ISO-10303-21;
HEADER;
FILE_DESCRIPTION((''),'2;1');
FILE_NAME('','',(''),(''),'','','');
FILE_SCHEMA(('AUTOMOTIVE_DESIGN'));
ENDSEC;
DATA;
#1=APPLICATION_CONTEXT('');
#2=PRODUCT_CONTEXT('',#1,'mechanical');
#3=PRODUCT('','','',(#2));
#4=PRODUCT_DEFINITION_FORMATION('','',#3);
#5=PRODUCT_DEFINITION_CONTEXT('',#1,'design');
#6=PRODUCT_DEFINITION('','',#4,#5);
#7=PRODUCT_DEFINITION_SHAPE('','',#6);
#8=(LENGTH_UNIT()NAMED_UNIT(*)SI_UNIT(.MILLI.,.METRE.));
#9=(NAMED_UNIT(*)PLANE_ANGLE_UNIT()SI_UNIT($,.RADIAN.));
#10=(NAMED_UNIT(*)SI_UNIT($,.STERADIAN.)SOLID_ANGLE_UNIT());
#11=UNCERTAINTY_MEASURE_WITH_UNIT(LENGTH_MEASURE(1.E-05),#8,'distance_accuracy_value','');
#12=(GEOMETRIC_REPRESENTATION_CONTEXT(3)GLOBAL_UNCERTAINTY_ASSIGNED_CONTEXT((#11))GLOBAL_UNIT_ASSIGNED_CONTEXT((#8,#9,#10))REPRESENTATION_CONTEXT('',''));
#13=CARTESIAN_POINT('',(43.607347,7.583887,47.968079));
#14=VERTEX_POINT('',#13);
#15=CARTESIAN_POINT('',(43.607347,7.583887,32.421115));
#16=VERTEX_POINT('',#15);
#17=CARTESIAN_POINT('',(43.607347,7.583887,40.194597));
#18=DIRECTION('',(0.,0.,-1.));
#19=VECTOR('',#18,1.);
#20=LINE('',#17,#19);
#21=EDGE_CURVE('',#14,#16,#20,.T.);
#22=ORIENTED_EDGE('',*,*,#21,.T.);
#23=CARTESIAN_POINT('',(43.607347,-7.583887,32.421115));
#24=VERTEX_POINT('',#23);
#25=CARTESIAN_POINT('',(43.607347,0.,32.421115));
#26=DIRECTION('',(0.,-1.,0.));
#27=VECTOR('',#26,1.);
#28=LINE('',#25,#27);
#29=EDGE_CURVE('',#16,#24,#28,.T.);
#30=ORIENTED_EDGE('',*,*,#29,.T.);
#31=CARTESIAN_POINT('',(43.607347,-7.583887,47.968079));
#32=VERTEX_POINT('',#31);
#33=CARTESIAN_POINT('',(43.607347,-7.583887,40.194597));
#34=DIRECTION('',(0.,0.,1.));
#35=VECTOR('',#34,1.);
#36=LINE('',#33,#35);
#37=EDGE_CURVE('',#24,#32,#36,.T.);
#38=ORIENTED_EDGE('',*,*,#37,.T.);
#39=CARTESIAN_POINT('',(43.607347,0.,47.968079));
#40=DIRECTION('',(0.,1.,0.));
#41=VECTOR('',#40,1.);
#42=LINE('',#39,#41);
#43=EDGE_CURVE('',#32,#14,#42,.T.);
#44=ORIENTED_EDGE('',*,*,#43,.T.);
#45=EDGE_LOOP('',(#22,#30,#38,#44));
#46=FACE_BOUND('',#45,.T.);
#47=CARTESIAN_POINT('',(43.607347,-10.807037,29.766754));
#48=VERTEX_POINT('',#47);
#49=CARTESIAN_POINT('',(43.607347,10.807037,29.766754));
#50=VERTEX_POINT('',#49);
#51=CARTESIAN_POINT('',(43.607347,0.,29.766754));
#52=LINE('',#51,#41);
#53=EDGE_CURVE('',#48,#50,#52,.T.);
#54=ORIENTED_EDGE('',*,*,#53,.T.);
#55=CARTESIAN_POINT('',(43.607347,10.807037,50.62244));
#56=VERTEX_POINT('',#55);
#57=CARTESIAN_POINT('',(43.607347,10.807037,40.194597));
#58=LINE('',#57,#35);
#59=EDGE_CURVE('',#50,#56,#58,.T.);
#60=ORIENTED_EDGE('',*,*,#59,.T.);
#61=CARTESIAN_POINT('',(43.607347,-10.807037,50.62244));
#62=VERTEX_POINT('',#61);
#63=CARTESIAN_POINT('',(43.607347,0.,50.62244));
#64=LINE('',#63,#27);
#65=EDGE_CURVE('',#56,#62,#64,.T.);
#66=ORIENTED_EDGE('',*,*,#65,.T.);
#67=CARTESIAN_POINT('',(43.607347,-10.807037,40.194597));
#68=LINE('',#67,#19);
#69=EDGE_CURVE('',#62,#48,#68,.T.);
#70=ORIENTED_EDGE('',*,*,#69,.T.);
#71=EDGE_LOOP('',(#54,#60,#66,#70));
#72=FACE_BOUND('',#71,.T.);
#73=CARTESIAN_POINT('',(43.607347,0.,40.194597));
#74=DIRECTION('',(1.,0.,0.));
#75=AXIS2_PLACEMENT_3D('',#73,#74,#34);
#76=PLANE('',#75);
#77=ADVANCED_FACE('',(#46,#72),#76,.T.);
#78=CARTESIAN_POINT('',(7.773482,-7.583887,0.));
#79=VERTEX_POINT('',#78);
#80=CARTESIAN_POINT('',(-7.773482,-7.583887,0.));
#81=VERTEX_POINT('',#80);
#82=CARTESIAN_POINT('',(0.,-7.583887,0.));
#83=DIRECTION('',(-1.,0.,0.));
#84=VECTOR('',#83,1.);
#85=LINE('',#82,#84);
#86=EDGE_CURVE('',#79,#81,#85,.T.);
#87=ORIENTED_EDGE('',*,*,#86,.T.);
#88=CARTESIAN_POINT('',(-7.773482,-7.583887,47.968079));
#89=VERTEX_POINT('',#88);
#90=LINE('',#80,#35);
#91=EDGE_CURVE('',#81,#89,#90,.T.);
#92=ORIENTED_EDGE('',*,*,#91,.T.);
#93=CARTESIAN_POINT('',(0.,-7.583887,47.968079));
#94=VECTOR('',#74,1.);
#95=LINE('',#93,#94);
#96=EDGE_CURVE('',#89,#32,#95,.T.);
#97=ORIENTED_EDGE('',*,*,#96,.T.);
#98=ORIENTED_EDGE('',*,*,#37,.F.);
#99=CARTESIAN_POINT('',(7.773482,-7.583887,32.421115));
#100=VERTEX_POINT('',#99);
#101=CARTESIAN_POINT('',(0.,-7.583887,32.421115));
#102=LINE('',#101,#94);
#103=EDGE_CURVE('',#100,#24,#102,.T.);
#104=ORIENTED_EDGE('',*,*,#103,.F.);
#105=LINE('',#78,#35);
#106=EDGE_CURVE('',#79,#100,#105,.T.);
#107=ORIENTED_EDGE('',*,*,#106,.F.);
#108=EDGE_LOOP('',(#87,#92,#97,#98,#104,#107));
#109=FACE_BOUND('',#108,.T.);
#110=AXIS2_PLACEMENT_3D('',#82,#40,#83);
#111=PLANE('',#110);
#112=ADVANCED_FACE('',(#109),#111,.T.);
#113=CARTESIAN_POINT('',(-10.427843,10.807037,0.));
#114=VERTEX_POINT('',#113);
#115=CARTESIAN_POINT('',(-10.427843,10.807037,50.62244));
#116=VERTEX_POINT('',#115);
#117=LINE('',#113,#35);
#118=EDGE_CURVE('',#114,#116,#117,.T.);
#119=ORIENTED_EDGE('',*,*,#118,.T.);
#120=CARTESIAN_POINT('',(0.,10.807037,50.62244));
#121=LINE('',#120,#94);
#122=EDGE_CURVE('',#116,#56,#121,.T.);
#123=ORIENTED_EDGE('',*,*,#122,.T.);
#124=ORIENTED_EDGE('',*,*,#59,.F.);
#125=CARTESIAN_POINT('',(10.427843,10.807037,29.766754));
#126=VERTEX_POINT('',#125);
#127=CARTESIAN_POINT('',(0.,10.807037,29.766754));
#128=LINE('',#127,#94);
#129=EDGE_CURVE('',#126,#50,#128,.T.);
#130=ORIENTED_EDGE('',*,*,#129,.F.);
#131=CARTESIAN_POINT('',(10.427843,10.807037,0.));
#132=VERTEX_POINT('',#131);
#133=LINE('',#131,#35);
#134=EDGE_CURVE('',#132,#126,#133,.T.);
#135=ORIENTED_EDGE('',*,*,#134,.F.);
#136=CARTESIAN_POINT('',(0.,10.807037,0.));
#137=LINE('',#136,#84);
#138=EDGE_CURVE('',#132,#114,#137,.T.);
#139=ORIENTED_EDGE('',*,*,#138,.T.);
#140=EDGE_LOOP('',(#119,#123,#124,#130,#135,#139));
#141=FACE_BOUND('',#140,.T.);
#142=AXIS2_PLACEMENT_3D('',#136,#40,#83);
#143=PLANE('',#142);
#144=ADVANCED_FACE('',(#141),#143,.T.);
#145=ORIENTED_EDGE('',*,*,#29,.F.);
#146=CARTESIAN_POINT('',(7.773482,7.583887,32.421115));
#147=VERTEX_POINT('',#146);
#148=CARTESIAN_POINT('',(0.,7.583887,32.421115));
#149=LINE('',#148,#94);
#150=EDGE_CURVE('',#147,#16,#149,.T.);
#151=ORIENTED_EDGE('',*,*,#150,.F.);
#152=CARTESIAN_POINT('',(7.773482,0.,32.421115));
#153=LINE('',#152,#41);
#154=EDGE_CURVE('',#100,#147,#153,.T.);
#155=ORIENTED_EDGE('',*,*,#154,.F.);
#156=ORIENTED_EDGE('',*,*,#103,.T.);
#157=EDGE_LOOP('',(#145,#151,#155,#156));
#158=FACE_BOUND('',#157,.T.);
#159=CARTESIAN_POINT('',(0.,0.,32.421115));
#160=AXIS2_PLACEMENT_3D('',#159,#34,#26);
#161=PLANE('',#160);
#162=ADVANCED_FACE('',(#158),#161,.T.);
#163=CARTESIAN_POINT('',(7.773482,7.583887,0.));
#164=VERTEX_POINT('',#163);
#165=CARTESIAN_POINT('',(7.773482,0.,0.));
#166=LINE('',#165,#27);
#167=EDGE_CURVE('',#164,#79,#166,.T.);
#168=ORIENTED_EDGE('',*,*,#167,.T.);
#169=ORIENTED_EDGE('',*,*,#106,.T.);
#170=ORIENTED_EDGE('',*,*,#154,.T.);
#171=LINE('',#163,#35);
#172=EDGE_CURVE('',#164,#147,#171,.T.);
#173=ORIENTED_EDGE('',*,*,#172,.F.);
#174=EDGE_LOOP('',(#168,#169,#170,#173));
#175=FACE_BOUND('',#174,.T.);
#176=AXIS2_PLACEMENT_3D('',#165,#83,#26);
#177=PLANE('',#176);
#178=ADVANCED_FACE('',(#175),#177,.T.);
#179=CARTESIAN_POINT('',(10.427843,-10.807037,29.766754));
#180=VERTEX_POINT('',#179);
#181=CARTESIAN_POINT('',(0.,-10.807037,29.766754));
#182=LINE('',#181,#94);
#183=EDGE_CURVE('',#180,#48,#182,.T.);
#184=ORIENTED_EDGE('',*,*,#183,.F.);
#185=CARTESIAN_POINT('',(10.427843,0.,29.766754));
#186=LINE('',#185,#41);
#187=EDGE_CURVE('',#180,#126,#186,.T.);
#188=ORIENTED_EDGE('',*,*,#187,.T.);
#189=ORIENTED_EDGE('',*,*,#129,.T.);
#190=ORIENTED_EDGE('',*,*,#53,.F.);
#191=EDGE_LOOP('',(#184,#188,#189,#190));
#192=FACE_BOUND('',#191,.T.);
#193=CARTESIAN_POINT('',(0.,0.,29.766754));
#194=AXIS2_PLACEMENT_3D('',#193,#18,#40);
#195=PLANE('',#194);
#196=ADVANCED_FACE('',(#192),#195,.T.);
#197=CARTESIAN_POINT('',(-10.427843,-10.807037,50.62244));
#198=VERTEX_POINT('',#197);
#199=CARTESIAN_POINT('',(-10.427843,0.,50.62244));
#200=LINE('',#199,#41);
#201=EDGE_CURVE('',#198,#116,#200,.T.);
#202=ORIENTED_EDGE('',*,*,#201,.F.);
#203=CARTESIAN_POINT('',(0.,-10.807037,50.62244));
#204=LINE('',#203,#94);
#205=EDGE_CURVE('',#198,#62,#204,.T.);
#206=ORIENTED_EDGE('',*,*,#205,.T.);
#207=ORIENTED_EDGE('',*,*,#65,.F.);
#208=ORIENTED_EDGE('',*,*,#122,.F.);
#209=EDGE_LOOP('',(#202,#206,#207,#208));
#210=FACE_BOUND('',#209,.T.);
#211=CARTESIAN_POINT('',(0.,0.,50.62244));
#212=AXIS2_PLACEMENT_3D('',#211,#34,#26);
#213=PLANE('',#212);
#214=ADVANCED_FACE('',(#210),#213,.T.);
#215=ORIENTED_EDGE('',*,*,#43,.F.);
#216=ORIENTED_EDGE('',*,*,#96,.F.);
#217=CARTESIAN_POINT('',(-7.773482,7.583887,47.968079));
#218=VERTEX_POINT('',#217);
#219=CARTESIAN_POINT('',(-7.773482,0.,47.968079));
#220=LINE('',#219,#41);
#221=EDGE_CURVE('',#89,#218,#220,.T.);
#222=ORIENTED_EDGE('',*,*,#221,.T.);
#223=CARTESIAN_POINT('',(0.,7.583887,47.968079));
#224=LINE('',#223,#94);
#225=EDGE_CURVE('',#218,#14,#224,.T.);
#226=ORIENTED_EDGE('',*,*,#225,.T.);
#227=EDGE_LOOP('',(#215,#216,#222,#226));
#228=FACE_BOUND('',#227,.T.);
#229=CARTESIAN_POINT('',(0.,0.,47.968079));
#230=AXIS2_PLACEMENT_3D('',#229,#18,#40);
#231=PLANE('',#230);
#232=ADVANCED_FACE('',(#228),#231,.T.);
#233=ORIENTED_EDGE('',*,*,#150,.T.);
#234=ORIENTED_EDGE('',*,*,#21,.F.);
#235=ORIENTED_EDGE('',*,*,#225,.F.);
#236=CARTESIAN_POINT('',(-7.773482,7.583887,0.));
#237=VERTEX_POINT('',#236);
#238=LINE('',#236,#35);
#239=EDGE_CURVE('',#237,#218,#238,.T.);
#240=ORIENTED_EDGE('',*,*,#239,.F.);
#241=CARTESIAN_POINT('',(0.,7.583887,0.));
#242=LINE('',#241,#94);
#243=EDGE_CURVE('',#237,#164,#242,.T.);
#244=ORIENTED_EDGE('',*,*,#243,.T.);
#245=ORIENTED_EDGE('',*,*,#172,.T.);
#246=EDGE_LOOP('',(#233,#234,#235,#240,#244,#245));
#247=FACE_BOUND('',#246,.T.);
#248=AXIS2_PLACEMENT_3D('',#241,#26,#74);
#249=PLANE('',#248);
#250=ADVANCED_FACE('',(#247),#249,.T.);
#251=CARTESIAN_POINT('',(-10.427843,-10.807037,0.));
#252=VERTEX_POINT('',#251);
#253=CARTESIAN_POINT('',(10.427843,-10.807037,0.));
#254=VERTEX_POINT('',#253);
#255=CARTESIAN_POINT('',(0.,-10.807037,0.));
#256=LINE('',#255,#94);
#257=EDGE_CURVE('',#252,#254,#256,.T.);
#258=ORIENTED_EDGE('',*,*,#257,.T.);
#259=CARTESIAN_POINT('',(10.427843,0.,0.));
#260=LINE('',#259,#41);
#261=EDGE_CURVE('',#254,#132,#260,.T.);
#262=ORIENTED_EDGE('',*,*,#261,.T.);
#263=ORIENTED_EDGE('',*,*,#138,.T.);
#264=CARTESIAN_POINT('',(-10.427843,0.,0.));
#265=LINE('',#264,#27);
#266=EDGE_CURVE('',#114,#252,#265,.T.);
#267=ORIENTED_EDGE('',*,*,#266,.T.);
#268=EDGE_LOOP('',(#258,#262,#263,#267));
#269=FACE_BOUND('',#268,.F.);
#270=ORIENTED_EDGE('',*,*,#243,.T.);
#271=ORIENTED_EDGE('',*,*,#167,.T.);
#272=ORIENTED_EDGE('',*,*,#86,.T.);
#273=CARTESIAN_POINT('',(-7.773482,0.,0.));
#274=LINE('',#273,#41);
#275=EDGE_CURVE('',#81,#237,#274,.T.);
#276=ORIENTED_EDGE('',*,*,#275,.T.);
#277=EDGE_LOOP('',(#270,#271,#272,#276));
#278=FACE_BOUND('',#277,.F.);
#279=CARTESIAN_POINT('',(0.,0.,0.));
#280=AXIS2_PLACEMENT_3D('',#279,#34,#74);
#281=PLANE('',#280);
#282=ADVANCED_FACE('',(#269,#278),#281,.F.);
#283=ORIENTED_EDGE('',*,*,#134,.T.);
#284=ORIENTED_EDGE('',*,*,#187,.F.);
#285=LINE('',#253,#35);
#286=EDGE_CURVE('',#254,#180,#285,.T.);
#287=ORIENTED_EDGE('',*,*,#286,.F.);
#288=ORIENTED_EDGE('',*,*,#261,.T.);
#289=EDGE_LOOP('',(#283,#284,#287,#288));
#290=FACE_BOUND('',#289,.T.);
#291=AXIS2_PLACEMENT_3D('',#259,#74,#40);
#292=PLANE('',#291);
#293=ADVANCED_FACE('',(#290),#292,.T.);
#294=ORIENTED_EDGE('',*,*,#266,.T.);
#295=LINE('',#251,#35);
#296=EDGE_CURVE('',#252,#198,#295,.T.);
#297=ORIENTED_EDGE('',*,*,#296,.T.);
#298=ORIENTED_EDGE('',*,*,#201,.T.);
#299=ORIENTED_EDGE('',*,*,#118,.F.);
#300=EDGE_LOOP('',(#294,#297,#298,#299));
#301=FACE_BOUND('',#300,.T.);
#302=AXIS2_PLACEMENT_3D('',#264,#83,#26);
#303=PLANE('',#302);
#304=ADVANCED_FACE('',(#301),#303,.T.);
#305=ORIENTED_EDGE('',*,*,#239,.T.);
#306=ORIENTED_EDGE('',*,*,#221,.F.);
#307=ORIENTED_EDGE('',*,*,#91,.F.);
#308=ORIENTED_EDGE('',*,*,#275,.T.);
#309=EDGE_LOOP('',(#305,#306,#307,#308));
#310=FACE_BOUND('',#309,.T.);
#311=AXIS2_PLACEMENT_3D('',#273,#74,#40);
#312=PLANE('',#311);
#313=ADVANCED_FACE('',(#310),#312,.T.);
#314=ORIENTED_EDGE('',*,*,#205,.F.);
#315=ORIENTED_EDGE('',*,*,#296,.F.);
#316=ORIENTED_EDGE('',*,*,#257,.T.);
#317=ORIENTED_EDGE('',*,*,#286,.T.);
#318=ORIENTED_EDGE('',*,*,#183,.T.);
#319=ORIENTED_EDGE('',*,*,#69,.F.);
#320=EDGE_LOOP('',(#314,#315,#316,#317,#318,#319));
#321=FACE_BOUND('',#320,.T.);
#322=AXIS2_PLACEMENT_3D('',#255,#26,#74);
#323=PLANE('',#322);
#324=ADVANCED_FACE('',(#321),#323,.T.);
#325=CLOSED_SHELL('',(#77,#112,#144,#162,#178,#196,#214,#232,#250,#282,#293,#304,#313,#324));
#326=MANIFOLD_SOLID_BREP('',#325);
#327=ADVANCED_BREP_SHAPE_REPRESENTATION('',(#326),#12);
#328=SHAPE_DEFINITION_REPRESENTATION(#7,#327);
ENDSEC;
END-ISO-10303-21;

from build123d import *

# Parameters (mm, degrees)
F1_W   = 20.855685696
F1_H   = 21.614074707
F1_W_2 = 15.5469644815
F1_H_2 = 15.1677737013


with BuildPart() as f2:
    # F2: sweep along a path in F0
    with BuildLine(Plane.XZ) as f2_path:
        Line((0, 0), (0, 40.1945970953))
        Line((0, 40.1945970953), (43.6073467135, 40.1945970953))
    # F1 (on Top) → F2 (sweep)
    with BuildSketch(Plane.XY):
        Rectangle(F1_W, F1_H)
        Rectangle(F1_W_2, F1_H_2, mode=Mode.SUBTRACT)
    sweep(path=f2_path.line, transition=Transition.RIGHT)


solid = f2.part
